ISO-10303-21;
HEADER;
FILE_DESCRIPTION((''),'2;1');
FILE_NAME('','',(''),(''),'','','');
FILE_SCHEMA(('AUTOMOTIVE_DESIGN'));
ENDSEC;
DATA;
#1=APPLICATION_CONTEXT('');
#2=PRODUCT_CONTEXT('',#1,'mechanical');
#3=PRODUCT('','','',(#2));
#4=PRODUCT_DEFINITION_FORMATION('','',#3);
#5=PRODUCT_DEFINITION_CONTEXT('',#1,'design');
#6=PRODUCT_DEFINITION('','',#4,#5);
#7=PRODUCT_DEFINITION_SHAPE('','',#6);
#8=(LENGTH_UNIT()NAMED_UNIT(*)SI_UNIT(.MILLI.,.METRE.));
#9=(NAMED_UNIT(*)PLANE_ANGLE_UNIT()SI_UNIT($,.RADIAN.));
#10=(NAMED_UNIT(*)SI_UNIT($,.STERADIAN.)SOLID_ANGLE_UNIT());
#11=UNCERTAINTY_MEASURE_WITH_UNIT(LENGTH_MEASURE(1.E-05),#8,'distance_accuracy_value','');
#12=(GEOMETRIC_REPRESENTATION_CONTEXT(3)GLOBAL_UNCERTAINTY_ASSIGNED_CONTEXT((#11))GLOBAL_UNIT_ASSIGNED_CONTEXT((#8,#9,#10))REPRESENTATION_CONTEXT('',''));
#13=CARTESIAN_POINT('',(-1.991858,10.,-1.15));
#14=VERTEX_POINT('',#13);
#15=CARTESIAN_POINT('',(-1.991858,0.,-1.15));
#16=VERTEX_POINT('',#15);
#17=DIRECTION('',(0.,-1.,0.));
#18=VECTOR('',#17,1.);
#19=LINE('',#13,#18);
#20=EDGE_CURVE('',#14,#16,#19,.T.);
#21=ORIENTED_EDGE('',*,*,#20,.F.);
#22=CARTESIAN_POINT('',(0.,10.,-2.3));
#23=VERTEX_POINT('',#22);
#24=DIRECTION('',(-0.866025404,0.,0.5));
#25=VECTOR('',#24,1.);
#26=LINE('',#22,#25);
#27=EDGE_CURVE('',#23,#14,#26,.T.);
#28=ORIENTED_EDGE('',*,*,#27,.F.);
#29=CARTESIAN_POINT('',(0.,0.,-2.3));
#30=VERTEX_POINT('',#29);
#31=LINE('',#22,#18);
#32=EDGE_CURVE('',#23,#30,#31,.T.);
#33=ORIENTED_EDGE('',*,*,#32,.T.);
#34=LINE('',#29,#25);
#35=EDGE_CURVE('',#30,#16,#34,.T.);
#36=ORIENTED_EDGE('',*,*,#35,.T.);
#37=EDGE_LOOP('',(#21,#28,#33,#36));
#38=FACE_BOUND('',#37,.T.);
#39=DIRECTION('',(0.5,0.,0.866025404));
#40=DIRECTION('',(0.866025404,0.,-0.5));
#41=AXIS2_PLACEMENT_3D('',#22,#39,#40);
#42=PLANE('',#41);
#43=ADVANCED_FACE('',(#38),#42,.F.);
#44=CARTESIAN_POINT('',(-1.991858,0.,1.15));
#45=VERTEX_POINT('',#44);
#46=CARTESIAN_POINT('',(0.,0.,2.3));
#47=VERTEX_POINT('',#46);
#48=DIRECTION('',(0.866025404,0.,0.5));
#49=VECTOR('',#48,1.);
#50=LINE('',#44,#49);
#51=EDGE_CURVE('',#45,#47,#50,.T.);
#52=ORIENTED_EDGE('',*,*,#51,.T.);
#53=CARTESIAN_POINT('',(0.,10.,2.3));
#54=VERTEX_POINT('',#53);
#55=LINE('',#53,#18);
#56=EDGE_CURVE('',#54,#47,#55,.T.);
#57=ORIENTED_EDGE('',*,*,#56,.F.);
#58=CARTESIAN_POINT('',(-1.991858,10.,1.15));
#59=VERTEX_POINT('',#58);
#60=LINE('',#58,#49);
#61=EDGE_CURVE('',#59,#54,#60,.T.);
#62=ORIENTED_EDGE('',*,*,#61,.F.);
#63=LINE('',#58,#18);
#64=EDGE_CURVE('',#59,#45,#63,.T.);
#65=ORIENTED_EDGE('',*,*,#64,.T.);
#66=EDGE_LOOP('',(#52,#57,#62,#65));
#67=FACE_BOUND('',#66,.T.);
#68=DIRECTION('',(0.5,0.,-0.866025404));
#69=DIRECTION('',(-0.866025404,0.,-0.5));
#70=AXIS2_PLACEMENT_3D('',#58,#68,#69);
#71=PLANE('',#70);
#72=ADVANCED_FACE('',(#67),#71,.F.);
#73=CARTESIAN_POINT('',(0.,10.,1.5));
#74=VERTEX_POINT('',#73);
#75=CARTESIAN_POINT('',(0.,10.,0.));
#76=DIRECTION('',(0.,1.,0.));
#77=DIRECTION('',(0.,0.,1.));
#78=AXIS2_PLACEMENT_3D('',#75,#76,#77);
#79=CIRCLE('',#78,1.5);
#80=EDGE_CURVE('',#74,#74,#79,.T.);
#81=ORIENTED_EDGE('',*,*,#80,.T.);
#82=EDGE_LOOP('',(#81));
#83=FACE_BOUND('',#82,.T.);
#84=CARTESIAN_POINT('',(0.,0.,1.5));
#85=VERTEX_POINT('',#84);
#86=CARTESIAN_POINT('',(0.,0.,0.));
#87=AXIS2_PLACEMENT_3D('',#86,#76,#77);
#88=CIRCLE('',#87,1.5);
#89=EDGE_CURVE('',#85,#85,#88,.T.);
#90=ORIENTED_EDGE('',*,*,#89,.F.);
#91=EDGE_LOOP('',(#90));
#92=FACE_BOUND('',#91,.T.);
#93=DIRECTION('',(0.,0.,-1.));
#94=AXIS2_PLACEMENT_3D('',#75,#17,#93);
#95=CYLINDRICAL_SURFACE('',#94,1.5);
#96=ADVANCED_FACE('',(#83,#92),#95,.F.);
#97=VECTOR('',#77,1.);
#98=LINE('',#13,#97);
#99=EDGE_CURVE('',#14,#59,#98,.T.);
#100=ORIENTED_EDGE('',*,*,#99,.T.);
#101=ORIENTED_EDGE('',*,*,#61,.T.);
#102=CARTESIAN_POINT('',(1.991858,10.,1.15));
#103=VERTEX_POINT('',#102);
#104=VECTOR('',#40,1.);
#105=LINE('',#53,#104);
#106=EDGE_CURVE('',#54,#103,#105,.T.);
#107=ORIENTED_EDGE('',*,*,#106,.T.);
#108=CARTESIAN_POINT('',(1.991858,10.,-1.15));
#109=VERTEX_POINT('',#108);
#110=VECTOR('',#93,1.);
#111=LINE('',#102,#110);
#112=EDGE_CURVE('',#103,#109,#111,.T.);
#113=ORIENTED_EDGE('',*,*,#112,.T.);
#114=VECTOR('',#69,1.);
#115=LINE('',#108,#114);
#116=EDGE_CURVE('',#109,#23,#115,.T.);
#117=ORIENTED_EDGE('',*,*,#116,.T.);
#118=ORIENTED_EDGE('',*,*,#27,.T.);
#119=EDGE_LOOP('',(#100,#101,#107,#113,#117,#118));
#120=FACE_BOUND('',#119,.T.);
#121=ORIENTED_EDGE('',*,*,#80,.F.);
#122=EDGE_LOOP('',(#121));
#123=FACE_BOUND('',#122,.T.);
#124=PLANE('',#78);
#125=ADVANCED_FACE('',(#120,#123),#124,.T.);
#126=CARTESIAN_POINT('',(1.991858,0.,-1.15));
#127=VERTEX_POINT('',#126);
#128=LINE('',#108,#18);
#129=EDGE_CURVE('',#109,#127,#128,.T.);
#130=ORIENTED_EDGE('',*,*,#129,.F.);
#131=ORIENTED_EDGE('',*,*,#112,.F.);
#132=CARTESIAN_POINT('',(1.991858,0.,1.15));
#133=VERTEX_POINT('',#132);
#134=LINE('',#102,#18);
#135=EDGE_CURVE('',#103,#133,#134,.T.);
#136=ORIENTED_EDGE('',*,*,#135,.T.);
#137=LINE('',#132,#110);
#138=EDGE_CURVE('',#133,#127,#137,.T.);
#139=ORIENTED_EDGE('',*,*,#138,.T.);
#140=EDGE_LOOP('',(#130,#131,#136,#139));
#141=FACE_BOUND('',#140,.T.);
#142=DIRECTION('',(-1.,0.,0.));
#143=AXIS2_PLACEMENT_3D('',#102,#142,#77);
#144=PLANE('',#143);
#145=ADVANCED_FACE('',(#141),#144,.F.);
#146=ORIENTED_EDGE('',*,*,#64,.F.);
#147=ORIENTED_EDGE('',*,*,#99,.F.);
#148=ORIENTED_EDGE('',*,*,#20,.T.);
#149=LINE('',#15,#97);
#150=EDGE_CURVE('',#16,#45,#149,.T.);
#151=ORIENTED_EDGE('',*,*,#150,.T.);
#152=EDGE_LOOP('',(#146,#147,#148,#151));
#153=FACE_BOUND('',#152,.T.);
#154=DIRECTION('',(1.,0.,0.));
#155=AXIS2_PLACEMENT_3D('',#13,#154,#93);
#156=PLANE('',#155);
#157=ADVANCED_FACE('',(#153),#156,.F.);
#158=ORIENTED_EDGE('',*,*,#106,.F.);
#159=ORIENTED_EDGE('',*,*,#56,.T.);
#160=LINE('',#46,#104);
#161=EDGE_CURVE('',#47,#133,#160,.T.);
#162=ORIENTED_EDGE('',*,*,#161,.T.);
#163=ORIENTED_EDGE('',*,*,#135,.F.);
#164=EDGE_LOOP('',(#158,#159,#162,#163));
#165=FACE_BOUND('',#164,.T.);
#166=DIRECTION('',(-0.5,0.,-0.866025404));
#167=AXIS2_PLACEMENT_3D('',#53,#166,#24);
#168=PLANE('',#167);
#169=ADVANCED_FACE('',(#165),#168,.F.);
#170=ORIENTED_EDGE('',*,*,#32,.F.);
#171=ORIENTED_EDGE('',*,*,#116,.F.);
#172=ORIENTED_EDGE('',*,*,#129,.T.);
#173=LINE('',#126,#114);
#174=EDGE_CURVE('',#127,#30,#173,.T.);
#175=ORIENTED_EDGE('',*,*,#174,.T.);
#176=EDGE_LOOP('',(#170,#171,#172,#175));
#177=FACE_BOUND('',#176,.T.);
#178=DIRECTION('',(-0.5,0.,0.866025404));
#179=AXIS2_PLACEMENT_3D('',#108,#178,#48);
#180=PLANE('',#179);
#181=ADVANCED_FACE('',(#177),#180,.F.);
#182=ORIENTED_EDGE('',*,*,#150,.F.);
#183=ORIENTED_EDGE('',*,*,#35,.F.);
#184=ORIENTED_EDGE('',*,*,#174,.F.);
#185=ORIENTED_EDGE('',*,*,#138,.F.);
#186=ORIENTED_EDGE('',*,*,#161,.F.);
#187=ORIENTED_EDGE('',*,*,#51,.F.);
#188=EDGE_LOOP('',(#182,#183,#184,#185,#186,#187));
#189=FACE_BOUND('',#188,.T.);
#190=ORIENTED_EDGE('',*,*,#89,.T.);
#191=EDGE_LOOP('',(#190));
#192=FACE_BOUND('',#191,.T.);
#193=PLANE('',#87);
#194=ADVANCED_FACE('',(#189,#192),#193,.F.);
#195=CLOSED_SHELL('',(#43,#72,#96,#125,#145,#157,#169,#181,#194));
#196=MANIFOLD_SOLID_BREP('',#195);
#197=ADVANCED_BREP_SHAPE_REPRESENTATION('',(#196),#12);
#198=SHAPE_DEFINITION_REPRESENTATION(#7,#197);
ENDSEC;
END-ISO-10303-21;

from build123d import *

# Parameters (mm, degrees)
SKETCH_1_R      = 1.5
EXTRUDE_1_DEPTH = 10


with BuildPart() as part:
    # 草图1 → 凸台-拉伸1 (new body)
    with BuildSketch(Plane(origin=(0, 0, 0), x_dir=(1, 0, 0), z_dir=(0, 1, 0))):
        Polygon((1.991858429, 1.15), (0, 2.3), (-1.991858429, 1.15), (-1.991858429, -1.15), (0, -2.3), (1.991858429, -1.15), align=None)
        with Locations(Location((0, 0, 0), (0, 0, 270))):
            Circle(SKETCH_1_R, mode=Mode.SUBTRACT)
    extrude(amount=EXTRUDE_1_DEPTH)


solid = part.part
